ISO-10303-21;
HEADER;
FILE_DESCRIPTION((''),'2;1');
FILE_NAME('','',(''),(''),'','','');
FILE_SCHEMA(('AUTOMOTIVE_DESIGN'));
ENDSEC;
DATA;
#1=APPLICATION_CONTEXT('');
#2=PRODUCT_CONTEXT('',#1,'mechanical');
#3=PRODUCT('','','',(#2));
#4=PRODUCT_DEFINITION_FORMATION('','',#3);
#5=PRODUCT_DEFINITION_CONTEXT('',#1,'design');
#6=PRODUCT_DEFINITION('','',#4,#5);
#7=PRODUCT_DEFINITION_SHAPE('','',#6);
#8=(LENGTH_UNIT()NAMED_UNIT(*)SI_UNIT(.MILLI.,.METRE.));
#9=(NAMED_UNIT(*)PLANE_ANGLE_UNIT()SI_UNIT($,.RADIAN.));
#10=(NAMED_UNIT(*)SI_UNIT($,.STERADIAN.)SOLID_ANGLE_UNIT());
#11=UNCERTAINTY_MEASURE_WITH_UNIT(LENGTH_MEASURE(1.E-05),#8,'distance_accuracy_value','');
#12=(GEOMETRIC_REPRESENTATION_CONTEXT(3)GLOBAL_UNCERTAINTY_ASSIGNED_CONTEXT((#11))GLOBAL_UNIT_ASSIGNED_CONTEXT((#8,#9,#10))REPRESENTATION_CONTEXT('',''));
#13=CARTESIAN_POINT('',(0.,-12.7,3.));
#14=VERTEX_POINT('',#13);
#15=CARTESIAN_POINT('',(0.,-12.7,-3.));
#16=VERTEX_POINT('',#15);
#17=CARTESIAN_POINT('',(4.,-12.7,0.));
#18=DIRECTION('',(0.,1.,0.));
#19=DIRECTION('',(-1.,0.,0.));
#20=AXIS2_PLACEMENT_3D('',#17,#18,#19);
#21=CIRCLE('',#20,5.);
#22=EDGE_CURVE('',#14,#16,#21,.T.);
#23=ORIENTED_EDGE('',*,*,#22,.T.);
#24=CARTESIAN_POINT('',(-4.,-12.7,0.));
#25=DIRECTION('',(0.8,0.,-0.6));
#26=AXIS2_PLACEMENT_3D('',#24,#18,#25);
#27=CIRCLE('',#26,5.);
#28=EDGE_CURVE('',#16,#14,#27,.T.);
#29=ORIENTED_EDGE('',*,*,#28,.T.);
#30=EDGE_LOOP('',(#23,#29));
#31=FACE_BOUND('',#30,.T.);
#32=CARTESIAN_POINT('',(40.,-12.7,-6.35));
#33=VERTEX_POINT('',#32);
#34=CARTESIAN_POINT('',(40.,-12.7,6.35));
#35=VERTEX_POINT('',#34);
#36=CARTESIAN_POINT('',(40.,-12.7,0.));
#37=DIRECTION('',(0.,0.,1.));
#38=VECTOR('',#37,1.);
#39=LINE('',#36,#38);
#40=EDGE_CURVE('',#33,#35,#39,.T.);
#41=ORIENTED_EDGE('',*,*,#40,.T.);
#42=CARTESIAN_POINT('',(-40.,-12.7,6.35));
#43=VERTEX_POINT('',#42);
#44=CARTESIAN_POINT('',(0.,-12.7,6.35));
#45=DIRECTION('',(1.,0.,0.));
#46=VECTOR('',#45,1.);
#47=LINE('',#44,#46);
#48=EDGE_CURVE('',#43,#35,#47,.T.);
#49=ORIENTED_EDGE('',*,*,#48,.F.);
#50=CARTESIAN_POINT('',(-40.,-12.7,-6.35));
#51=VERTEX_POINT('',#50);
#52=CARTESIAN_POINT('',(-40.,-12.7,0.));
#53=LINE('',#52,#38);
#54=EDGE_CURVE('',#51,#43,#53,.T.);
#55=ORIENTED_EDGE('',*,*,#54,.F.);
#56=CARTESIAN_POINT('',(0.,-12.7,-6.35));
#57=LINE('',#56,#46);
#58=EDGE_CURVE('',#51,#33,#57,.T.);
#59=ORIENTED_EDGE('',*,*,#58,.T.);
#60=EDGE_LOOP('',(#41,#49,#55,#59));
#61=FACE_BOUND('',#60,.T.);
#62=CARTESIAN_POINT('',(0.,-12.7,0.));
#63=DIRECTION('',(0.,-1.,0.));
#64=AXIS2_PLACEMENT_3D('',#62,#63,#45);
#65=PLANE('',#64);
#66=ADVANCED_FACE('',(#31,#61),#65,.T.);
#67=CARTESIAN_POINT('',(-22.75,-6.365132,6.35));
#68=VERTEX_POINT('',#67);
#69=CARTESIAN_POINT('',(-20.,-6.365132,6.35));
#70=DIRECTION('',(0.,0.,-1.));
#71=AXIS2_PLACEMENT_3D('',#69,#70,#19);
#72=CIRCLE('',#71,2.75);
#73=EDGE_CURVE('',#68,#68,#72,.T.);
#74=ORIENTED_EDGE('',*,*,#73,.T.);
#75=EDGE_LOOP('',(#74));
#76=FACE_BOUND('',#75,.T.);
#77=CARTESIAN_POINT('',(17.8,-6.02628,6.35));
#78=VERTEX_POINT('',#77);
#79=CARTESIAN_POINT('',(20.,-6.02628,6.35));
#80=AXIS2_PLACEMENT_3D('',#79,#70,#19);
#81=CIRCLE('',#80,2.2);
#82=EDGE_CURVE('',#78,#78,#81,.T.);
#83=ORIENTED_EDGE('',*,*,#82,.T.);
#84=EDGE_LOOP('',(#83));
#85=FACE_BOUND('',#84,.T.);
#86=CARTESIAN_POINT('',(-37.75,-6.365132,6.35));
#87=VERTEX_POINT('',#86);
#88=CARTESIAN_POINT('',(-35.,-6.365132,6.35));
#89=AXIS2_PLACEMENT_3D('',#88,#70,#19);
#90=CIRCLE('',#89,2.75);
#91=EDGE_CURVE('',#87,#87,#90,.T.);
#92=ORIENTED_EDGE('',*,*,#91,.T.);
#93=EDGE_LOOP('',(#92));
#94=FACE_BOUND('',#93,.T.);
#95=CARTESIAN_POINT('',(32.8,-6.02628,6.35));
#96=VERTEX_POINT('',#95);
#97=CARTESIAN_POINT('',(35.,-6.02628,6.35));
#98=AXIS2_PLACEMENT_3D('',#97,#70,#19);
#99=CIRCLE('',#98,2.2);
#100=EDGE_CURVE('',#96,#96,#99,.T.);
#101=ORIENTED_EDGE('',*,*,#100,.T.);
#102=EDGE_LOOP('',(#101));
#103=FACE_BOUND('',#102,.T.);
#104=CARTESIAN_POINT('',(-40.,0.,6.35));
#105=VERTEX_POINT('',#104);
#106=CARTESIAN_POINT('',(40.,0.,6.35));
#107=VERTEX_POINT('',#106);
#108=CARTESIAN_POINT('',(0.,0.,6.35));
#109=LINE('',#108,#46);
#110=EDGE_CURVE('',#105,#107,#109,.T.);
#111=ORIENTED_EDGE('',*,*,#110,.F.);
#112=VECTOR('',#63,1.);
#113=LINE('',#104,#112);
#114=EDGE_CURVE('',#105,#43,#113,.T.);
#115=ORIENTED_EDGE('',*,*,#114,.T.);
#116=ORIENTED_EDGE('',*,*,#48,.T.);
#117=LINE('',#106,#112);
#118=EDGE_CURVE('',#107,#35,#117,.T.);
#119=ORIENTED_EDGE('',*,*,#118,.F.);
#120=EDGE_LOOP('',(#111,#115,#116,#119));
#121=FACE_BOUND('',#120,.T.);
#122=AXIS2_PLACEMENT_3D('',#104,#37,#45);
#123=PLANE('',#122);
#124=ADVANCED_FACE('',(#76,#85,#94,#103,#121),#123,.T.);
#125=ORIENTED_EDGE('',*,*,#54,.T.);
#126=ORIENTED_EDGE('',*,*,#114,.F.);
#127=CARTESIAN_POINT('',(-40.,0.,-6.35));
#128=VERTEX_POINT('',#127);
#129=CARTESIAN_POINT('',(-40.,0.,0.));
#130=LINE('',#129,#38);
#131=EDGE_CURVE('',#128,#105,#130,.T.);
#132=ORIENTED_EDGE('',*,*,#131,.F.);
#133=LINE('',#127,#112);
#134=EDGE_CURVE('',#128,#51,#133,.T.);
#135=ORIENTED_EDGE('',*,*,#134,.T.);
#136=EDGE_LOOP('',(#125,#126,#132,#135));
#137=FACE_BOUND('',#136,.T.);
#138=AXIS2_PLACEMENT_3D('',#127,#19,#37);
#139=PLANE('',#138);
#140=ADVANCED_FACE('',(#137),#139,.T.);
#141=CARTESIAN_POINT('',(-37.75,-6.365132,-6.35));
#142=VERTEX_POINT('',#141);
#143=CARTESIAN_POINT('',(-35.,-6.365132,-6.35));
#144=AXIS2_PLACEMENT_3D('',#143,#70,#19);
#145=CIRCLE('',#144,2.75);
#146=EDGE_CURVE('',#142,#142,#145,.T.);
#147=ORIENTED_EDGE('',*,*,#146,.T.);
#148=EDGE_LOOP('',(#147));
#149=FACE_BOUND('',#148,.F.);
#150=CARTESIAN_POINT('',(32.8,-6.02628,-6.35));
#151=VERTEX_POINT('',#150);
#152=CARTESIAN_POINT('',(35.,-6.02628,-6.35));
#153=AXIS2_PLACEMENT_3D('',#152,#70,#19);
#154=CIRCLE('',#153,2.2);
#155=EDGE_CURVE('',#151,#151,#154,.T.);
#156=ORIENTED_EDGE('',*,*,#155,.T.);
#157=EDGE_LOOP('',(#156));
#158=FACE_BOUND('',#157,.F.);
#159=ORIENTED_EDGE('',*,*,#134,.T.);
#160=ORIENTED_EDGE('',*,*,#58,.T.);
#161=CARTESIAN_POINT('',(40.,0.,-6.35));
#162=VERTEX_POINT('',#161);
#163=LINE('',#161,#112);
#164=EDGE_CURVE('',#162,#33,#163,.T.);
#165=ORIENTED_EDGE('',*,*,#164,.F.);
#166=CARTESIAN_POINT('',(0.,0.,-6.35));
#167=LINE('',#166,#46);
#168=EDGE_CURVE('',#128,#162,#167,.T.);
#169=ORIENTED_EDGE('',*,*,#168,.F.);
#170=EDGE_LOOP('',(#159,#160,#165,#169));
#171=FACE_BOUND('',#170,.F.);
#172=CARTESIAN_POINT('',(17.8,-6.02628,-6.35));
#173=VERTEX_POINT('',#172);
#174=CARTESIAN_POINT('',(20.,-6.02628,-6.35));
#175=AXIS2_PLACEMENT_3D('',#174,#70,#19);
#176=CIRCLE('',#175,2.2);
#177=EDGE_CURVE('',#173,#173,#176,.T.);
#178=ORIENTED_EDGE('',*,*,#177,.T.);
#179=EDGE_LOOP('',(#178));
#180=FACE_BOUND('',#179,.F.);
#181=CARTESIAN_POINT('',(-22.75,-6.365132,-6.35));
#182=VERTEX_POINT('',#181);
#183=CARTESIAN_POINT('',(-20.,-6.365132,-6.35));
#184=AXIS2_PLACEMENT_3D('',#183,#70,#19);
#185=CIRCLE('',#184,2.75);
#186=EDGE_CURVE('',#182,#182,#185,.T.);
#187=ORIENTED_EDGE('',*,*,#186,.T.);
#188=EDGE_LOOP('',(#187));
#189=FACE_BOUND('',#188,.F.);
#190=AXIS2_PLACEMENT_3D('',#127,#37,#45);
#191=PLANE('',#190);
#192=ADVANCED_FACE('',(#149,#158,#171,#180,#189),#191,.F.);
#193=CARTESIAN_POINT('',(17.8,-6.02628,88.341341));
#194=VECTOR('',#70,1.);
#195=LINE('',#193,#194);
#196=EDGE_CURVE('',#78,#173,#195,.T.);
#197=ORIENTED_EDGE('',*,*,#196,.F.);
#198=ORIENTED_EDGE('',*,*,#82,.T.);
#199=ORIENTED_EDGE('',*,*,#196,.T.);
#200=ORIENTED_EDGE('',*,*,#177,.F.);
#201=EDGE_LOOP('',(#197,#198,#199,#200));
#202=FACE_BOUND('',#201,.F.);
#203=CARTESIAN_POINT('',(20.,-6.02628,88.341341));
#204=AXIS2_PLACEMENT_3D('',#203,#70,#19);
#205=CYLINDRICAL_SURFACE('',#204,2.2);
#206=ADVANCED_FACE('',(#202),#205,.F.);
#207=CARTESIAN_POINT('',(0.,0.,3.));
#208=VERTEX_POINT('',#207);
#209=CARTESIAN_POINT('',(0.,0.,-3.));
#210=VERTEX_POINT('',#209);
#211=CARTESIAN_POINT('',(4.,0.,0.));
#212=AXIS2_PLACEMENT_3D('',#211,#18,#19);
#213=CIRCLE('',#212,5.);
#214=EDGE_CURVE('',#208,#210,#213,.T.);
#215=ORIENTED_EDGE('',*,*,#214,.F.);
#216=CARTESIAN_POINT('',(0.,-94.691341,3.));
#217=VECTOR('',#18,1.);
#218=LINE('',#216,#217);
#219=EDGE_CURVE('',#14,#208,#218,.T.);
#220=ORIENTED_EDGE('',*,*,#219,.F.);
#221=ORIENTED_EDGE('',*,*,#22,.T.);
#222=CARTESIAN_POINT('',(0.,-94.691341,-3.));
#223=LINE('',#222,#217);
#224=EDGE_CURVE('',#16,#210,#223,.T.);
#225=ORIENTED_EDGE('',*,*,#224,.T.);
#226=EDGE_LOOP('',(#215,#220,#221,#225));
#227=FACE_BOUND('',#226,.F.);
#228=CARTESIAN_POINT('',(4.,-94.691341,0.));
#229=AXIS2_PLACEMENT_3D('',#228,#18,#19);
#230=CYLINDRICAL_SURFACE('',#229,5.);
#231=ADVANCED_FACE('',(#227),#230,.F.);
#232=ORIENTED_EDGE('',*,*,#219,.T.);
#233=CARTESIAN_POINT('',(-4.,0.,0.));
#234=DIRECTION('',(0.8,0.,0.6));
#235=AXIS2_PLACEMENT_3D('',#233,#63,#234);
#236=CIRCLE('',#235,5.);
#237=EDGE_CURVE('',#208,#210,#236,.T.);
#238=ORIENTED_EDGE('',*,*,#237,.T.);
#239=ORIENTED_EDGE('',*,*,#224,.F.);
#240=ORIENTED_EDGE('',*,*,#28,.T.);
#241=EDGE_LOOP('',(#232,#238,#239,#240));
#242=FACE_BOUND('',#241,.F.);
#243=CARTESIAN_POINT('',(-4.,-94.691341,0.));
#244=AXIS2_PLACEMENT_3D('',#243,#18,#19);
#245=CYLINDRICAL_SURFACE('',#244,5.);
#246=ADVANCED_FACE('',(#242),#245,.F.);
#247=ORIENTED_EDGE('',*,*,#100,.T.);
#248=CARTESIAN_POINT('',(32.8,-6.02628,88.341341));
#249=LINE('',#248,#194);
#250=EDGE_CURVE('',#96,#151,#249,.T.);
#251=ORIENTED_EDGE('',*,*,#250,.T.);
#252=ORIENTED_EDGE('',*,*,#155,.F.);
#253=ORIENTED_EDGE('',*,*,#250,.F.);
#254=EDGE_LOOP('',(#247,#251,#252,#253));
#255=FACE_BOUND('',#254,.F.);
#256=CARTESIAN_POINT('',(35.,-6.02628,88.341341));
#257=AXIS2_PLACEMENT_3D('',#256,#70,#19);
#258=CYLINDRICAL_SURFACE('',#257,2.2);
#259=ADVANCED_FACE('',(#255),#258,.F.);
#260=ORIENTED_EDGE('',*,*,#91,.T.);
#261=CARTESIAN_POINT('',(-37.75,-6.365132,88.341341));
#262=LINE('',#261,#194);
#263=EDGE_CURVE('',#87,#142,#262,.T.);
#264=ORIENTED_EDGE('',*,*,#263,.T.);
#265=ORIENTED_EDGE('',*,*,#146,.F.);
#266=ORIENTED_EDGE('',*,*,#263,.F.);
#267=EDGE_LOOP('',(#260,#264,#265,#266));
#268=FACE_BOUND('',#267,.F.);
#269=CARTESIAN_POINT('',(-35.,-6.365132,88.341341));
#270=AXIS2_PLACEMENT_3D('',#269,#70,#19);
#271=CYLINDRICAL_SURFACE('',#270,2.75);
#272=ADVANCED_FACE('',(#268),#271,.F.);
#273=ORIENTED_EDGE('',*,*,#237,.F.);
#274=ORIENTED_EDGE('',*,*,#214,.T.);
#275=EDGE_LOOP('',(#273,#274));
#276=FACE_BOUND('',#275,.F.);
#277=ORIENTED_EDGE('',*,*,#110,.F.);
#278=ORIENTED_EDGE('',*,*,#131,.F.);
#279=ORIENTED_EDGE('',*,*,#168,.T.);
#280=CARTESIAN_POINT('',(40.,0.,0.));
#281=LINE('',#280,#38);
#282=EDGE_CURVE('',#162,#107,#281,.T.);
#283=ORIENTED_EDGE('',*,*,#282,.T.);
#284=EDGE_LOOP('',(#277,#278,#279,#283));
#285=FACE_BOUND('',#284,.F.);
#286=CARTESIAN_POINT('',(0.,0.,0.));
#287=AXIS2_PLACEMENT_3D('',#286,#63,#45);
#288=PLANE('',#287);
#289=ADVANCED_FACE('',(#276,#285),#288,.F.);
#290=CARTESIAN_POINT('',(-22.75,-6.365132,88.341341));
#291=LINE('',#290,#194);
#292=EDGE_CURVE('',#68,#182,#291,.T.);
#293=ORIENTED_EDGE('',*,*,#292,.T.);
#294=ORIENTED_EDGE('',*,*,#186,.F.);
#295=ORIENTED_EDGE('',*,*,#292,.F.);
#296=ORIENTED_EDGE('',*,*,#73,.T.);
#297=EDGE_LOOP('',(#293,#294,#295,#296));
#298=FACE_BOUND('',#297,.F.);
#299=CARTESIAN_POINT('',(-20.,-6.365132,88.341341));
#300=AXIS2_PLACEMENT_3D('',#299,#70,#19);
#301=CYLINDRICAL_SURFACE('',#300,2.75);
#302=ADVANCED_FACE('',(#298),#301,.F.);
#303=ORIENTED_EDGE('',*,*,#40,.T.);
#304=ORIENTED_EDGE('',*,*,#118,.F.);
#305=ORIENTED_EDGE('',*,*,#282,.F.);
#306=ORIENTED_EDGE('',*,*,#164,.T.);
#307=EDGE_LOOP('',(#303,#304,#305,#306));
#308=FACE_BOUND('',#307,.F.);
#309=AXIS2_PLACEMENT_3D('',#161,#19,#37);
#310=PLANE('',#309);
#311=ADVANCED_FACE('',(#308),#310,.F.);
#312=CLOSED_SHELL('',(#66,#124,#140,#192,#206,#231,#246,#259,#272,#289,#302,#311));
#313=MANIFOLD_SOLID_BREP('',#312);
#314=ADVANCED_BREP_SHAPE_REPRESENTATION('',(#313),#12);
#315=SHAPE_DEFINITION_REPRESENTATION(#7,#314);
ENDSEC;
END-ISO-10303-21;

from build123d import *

# Parameters (mm, degrees)
F0_W     = 80
F0_H     = 12.7
F1_DEPTH = 12.7
F3_D     = 10
F5_D     = 4.4
F7_D     = 5.5


with BuildPart() as f1:
    # F0 (on Front) → F1 (new body)
    with BuildSketch(Plane.XZ):
        Rectangle(F0_W, F0_H)
    extrude(amount=F1_DEPTH)

    # F3 (through all)
    with Locations(Plane.XZ.offset(12.7)):
        with Locations((-4, 0), (4, 0)):
            Hole(F3_D / 2)

    # F5 (through all)
    with Locations(Plane.XY.offset(6.35)):
        with Locations((20, -6.0262801126), (35, -6.0262801126)):
            Hole(F5_D / 2)

    # F7 (through all)
    with Locations(Plane.XY.offset(6.35)):
        with Locations((-35, -6.3651315868), (-20, -6.3651315868)):
            Hole(F7_D / 2)


solid = f1.part
